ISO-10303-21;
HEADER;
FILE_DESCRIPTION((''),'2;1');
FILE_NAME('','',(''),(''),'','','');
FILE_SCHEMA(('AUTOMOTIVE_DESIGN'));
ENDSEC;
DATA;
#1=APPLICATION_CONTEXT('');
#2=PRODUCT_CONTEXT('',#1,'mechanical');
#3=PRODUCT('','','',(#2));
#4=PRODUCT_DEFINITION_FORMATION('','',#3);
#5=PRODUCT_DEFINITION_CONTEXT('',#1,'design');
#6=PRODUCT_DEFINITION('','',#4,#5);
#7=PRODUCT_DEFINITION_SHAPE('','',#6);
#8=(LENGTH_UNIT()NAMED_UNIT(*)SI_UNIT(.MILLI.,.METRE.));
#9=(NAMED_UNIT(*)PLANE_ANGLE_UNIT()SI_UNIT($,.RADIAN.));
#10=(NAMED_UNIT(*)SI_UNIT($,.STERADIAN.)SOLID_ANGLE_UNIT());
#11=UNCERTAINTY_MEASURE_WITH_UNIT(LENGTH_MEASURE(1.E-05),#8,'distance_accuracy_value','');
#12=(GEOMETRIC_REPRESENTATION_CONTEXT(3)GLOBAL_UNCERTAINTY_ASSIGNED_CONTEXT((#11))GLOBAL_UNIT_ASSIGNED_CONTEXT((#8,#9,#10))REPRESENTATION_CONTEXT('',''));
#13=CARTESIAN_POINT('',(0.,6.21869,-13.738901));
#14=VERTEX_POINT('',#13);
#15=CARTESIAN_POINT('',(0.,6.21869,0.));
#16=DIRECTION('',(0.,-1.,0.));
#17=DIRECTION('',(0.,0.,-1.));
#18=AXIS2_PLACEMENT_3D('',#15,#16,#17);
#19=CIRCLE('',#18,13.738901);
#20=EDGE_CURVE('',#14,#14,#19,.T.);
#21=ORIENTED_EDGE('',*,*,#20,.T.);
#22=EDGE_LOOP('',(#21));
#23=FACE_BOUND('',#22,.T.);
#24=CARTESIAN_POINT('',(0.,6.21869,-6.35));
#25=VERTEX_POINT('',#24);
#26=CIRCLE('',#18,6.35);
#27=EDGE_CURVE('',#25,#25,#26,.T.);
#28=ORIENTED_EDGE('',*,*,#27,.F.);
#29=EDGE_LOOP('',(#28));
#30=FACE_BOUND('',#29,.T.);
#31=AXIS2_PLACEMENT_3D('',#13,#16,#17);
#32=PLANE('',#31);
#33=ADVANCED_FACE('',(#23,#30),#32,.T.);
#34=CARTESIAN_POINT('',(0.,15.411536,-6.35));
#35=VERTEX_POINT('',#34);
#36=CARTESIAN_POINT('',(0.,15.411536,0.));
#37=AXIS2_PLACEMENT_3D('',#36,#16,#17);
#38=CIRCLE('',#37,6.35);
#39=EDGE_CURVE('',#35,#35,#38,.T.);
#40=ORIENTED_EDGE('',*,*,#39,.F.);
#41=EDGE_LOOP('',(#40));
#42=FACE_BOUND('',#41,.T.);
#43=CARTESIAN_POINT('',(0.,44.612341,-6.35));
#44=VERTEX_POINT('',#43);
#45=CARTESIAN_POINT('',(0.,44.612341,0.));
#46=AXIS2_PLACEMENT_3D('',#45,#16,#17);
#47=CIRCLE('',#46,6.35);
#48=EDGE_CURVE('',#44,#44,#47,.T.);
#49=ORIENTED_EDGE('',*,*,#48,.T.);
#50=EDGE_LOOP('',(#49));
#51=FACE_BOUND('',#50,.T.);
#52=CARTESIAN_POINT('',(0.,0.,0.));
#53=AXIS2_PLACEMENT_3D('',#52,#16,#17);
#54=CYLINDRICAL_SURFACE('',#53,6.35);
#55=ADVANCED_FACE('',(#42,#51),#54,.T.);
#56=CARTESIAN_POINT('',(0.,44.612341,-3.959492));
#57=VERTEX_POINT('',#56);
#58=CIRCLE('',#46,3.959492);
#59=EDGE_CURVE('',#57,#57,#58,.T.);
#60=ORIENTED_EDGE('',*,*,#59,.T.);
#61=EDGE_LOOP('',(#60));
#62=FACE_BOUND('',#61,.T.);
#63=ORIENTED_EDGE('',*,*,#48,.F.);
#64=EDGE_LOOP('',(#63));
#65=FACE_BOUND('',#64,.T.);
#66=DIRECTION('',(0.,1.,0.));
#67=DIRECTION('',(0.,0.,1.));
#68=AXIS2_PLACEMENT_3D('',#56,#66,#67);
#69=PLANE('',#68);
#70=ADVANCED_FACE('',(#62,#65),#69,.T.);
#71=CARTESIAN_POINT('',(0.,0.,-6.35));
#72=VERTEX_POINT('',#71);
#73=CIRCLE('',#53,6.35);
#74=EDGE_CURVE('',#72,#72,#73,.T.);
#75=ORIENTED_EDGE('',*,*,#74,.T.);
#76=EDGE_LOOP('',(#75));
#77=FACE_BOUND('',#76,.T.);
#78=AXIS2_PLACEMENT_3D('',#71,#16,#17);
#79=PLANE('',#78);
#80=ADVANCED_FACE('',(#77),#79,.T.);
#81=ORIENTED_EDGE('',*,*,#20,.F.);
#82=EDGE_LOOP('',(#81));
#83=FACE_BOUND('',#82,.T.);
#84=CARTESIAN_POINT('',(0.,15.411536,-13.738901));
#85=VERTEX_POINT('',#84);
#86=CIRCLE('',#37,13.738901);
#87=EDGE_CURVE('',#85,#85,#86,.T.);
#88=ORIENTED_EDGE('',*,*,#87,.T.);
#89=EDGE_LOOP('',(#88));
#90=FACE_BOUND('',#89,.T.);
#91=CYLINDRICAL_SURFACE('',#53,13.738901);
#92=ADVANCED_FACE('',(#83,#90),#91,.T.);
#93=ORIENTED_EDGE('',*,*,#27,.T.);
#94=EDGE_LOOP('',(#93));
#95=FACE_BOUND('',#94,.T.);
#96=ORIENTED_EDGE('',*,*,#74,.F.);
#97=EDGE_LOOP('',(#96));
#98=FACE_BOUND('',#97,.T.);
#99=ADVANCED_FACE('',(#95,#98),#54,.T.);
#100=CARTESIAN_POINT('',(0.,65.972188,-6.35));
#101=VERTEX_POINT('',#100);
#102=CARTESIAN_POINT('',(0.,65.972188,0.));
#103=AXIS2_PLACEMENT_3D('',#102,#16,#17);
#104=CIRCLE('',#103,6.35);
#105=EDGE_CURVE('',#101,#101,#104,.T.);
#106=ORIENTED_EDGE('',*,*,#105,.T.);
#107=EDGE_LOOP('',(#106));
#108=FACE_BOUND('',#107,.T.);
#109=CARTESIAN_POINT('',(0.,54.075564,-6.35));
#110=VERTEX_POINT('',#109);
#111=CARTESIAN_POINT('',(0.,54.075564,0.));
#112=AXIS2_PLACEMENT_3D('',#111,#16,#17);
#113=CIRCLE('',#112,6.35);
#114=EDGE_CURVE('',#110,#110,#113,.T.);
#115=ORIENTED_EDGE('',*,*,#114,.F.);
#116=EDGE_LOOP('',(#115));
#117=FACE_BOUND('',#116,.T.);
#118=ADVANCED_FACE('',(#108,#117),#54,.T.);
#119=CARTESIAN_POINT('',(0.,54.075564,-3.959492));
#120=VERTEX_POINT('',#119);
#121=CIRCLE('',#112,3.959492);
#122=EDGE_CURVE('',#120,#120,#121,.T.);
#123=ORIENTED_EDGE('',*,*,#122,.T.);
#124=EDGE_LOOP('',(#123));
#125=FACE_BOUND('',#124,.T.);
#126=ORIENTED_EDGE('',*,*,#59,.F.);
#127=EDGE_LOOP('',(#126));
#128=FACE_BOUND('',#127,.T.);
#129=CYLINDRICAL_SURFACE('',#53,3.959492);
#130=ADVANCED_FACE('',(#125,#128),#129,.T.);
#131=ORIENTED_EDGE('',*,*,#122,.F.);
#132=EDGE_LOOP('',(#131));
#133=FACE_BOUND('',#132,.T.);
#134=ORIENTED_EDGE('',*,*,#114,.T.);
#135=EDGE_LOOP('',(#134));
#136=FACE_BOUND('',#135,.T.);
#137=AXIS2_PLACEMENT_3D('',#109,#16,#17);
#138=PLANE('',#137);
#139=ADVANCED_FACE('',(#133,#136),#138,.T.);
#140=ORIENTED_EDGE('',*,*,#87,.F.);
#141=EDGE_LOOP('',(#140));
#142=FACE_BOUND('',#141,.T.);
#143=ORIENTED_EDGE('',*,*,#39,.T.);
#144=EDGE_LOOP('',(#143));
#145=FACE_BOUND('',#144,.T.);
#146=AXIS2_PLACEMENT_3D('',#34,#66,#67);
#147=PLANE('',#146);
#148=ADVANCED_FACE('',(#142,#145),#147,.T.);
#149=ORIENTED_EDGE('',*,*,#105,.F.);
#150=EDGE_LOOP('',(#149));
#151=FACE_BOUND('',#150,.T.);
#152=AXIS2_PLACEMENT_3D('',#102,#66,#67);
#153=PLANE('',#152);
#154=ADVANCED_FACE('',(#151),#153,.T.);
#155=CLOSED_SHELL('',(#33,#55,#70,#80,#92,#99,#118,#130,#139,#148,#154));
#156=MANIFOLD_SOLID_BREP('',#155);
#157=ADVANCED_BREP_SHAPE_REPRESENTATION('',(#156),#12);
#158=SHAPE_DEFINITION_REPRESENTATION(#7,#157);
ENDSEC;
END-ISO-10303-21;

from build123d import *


with BuildPart() as part:
    # Croquis2 → Revolución1 (revolve)
    with BuildSketch(Plane(origin=(0, 0, 0), x_dir=(0, 0, -1), z_dir=(1, 0, 0))):
        Polygon((0, 65.972188438), (6.35, 65.972188438), (6.35, 54.075564294), (3.959492216, 54.075564294), (3.959492216, 44.612340542), (6.35, 44.612340542), (6.35, 15.411535824), (13.7389008, 15.411535824), (13.7389008, 6.218689894), (6.35, 6.218689894), (6.35, 0), (0, 0), align=None)
    revolve(axis=Axis((0, 0, 0), (0, 1, 0)))


solid = part.part
